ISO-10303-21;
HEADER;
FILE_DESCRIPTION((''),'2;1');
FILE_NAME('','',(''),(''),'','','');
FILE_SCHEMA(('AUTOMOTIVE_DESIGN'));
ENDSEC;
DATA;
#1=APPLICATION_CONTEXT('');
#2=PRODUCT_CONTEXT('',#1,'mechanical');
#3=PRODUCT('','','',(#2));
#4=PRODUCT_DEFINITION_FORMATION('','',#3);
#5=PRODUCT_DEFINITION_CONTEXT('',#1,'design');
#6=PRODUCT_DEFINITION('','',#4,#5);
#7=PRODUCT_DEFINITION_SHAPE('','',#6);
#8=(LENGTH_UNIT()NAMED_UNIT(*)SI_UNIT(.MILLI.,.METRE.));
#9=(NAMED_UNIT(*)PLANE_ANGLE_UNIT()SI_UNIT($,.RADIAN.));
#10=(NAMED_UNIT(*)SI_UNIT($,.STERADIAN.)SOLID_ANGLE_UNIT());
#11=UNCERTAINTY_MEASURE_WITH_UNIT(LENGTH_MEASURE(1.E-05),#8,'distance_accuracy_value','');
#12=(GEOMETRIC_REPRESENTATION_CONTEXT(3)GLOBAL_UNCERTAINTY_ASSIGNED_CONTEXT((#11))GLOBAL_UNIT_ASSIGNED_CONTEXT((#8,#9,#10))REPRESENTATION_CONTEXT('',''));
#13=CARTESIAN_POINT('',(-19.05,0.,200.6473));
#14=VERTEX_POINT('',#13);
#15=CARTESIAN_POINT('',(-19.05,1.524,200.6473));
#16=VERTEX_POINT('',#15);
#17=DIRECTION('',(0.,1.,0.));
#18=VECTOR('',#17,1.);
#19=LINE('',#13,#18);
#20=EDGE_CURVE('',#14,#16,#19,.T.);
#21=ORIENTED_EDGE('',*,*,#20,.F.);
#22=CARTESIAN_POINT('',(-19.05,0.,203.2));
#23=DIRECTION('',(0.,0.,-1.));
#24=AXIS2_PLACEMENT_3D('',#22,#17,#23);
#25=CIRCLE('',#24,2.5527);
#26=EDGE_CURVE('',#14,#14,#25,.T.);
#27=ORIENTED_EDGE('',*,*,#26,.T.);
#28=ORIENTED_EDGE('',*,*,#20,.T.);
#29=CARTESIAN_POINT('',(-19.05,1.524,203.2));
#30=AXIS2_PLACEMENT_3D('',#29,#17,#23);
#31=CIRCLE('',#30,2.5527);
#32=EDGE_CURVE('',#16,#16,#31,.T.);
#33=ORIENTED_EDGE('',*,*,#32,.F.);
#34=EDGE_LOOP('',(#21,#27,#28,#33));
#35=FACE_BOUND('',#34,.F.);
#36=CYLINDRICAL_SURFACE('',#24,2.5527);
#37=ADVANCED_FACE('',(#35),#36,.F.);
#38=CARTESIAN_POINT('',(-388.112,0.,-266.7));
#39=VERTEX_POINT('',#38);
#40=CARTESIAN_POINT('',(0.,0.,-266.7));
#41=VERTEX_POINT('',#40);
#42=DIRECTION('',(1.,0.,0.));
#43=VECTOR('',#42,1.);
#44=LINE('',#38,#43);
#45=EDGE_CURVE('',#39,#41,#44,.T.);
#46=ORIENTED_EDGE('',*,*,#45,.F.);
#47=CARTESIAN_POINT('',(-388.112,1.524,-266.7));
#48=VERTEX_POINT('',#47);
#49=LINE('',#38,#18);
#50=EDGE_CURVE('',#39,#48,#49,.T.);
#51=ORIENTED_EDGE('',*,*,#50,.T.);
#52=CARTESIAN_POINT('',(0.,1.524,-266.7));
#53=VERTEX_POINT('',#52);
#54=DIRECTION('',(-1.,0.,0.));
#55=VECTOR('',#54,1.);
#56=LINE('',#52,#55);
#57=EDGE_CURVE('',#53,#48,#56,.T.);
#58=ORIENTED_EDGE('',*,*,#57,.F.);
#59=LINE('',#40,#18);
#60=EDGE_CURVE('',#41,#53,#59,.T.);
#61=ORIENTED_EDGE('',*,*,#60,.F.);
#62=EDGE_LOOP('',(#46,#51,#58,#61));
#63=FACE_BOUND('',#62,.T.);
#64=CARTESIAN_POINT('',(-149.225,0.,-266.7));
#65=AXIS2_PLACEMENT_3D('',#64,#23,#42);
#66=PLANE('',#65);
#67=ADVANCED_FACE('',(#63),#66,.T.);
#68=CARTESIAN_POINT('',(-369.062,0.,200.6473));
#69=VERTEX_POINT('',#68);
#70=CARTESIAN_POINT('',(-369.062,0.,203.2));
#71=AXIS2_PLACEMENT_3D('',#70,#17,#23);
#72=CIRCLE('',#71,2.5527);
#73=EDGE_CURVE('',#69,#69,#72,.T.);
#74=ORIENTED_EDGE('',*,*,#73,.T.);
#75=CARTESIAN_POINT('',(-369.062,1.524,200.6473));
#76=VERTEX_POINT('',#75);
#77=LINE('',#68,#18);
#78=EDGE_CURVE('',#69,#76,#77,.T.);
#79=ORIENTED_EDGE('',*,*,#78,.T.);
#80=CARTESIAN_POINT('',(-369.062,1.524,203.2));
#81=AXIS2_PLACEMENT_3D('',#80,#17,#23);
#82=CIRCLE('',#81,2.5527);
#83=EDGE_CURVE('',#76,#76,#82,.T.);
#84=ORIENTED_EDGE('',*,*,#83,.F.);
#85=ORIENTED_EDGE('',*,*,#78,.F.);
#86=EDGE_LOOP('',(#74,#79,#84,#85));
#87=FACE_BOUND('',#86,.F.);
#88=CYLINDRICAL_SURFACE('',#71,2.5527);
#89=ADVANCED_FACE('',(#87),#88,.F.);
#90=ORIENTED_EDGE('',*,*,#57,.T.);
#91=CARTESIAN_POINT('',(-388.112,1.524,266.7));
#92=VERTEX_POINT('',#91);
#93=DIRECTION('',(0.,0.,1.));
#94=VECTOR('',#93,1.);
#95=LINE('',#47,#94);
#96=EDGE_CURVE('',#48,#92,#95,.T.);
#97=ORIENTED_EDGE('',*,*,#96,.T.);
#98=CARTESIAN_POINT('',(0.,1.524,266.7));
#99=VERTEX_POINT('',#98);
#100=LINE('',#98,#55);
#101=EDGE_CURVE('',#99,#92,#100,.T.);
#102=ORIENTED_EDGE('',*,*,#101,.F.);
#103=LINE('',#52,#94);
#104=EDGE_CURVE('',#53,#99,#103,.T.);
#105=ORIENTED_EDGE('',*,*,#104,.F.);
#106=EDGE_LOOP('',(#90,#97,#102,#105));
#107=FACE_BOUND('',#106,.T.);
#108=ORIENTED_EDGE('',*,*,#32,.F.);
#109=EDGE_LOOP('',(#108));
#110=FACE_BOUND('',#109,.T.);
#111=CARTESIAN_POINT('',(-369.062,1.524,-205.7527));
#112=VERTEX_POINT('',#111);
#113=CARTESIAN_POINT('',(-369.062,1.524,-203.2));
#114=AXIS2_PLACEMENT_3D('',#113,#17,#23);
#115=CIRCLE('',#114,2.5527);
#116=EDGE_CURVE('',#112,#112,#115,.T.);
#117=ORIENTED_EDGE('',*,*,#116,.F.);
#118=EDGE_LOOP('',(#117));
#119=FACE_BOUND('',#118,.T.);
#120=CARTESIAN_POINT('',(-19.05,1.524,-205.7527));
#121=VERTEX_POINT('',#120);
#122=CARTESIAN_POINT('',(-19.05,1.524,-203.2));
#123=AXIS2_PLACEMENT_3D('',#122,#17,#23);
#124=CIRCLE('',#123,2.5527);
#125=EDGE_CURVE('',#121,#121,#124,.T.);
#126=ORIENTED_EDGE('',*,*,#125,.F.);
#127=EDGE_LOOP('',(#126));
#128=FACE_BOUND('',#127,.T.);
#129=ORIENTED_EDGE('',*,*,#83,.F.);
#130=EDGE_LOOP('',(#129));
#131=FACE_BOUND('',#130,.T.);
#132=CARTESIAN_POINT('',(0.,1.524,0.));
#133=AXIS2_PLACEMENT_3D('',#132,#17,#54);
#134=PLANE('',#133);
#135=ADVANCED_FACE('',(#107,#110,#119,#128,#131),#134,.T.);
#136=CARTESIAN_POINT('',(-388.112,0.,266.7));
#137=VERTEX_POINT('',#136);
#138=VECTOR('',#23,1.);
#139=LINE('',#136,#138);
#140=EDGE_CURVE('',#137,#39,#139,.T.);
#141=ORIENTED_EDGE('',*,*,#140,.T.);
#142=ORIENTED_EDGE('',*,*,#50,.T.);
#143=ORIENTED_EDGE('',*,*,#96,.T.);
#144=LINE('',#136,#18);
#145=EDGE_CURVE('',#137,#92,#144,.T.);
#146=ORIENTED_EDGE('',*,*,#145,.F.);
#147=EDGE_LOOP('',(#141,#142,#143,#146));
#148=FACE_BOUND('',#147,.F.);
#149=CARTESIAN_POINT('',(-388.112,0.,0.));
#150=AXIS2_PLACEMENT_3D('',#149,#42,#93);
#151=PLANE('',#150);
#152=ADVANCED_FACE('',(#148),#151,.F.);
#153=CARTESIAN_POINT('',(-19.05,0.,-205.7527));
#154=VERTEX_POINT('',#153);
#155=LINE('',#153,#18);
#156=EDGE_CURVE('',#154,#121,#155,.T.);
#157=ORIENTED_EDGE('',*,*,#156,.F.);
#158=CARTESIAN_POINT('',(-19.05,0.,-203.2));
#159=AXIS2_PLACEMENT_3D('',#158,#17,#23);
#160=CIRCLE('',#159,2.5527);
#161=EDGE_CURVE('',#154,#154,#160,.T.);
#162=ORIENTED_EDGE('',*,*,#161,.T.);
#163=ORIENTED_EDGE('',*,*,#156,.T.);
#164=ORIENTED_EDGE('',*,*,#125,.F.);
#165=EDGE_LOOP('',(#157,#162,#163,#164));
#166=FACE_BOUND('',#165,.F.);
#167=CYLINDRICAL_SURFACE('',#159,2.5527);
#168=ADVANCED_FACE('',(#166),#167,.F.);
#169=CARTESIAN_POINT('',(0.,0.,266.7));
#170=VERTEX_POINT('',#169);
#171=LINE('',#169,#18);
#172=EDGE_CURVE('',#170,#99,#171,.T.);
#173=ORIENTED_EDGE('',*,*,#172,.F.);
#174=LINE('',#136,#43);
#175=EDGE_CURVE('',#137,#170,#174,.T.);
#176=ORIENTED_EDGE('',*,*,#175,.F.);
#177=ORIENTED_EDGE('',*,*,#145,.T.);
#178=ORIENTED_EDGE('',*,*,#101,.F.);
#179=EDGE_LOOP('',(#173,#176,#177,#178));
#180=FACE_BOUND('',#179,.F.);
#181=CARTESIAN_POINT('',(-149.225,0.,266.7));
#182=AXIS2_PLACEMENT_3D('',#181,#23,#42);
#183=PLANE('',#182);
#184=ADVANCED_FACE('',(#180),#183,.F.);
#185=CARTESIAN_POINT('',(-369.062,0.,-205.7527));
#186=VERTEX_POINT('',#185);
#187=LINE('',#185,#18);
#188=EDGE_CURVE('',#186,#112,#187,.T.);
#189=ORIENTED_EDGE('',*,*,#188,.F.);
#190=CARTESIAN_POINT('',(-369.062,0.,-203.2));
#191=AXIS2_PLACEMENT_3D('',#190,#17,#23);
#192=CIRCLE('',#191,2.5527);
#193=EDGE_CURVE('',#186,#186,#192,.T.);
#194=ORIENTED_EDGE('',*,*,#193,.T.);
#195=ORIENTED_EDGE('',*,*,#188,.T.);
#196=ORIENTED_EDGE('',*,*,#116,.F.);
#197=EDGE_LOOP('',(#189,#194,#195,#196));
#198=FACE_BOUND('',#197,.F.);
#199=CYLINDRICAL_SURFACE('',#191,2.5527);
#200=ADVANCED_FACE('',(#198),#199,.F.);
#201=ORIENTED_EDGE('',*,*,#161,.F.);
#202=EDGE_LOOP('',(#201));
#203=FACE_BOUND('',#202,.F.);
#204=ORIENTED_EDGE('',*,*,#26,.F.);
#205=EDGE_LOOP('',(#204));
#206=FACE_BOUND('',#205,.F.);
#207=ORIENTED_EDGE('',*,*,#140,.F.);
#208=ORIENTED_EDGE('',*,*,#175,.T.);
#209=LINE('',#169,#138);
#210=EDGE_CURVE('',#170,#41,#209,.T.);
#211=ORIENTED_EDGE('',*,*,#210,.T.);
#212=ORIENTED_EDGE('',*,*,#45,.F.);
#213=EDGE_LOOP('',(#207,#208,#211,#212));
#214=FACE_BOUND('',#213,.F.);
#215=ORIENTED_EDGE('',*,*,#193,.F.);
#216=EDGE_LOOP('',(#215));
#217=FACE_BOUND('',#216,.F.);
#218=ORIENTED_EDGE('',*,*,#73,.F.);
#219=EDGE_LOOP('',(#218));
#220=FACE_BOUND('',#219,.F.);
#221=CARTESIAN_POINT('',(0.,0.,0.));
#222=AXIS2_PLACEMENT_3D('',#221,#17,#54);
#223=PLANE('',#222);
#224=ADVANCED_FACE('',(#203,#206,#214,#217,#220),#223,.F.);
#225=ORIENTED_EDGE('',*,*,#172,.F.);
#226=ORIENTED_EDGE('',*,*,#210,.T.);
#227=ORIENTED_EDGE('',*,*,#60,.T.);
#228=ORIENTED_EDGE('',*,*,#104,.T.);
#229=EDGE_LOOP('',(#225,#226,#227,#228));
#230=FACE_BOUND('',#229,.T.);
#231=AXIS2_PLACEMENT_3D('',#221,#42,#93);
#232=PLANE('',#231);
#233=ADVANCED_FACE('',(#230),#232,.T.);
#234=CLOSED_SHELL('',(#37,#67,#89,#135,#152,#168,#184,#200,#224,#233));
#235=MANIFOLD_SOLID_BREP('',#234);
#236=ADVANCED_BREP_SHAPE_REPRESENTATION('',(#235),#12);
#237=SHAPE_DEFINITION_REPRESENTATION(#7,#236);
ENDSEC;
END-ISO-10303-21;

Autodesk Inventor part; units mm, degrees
ref_plane "YZ Plane" through (0, 0, 0) normal (1, 0, 0) x (0, 1, 0)
ref_plane "XZ Plane" through (0, 0, 0) normal (0, 1, 0) x (-1, 0, 0)
ref_plane "XY Plane" through (0, 0, 0) normal (0, 0, 1) x (1, 0, 0)
sketch "Sketch1" plane through (0, 0, 0) normal (0, 1, 0) x (-1, 0, 0)
  line L0 (0, 0) -> (388.112, 0)
  line L1 (0, 0) -> (0, -266.7)
  line L2 (0, 0) -> (0, 266.7)
  line L3 (388.112, 0) -> (388.112, 266.7)
  line L4 (388.112, 0) -> (388.112, -266.7)
  line L5 (388.112, -266.7) -> (0, -266.7)
  line L6 (388.112, 266.7) -> (0, 266.7)
  line L7 (0, 266.7) -> (165.1, 266.7)
  circle A0 centre (165.1, 266.7) radius 15.875
  line L8 (165.1, 266.7) -> (294.64, 266.7)
  circle A1 centre (294.64, 266.7) radius 15.875
  circle A2 centre (388.112, 266.7) radius 15.875
  circle A3 centre (388.112, -266.7) radius 15.875
  line L9 (0, -266.7) -> (165.1, -266.7)
  line L10 (165.1, -266.7) -> (294.64, -266.7)
  circle A4 centre (165.1, -266.7) radius 15.875
  circle A5 centre (294.64, -266.7) radius 15.875
  point P0 (180.975, -266.7)
  point P1 (149.225, -266.7)
  point P2 (310.515, -266.7)
  point P3 (278.765, -266.7)
  point P4 (372.237, -266.7)
  point P5 (388.112, -250.825)
  point P6 (388.112, 250.825)
  point P7 (372.237, 266.7)
  point P8 (310.515, 266.7)
  point P9 (278.765, 266.7)
  point P10 (180.975, 266.7)
  point P11 (149.225, 266.7)
  dimension "d12" = 388.112
  dimension "d13" = 266.7
  dimension "d14" = 266.7
  dimension "d15" = 266.7
  dimension "d16" = 266.7
  dimension "d19" = 165.1
  dimension "d20" = 31.75
  dimension "d21" = 129.54
  dimension "d22" = 31.75
  dimension "d23" = 31.75
  dimension "d24" = 31.75
  dimension "d25" = 165.1
  dimension "d26" = 129.54
  dimension "d27" = 31.75
  dimension "d28" = 31.75
extrude "Extrusion1" add sketch "Sketch1" along normal blind 1.524 contours L2 L6 A0 A1 A2 L3 L0 | L0 L4 A3 L5 A5 A4 L1 | A2 L6 L3 | L4 L5 A3 | A4 L5 | L6 A0 | A1 L6 | L5 A5 picked at (377.6613, 265.5225) picked at (380.6755, -259.2635) picked at (155.2766, -262.9745) picked at (154.6704, 265.4336) picked at (284.2104, 265.4336) picked at (292.1257, -256.4991)
sketch "Sketch2" plane through (0, 0, 0) normal (0, 1, 0) x (-1, 0, 0)
  line L0 (0, 0) -> (0, 203.2)
  line L1 (0, 266.7) -> (0, -266.7) projected
  line L2 (0, 203.2) -> (19.05, 203.2)
  circle A0 centre (19.05, 203.2) radius 4.7625
  line L3 (0, 0) -> (0, -203.2)
  line L4 (0, -203.2) -> (19.05, -203.2)
  circle A1 centre (19.05, -203.2) radius 4.7625
  line L5 (388.112, -266.7) -> (388.112, 266.7) projected
  line L6 (388.112, 0) -> (388.112, 203.2)
  line L7 (388.112, 203.2) -> (369.062, 203.2)
  line L8 (388.112, 0) -> (388.112, -203.2)
  line L9 (388.112, -203.2) -> (369.062, -203.2)
  circle A2 centre (369.062, -203.2) radius 4.7625
  circle A3 centre (369.062, 203.2) radius 4.7625
  point P0 (388.112, -250.825)
  point P1 (388.112, 250.825)
  dimension "d29" = 203.2
  dimension "d30" = 19.05
  dimension "d31" = 9.525
  dimension "d32" = 203.2
  dimension "d33" = 19.05
  dimension "d34" = 9.525
  dimension "d35" = 203.2
  dimension "d36" = 19.05
  dimension "d37" = 203.2
  dimension "d38" = 19.05
  dimension "d39" = 9.525
  dimension "d40" = 9.525
extrude "Extrusion2" [suppressed]
hole "Hole1" at (-369.062, 0, 203.2) at (-369.062, 0, -203.2) at (-19.05, 0, -203.2) at (-19.05, 0, 203.2) direction (0, 1, 0) diameter 5.1054 end through all clearance for "Flat Head Machine Screw (82)" size "#10" standard "Ansi Unified Screw Threads"
properties part number "FirewallDiagonal2"
